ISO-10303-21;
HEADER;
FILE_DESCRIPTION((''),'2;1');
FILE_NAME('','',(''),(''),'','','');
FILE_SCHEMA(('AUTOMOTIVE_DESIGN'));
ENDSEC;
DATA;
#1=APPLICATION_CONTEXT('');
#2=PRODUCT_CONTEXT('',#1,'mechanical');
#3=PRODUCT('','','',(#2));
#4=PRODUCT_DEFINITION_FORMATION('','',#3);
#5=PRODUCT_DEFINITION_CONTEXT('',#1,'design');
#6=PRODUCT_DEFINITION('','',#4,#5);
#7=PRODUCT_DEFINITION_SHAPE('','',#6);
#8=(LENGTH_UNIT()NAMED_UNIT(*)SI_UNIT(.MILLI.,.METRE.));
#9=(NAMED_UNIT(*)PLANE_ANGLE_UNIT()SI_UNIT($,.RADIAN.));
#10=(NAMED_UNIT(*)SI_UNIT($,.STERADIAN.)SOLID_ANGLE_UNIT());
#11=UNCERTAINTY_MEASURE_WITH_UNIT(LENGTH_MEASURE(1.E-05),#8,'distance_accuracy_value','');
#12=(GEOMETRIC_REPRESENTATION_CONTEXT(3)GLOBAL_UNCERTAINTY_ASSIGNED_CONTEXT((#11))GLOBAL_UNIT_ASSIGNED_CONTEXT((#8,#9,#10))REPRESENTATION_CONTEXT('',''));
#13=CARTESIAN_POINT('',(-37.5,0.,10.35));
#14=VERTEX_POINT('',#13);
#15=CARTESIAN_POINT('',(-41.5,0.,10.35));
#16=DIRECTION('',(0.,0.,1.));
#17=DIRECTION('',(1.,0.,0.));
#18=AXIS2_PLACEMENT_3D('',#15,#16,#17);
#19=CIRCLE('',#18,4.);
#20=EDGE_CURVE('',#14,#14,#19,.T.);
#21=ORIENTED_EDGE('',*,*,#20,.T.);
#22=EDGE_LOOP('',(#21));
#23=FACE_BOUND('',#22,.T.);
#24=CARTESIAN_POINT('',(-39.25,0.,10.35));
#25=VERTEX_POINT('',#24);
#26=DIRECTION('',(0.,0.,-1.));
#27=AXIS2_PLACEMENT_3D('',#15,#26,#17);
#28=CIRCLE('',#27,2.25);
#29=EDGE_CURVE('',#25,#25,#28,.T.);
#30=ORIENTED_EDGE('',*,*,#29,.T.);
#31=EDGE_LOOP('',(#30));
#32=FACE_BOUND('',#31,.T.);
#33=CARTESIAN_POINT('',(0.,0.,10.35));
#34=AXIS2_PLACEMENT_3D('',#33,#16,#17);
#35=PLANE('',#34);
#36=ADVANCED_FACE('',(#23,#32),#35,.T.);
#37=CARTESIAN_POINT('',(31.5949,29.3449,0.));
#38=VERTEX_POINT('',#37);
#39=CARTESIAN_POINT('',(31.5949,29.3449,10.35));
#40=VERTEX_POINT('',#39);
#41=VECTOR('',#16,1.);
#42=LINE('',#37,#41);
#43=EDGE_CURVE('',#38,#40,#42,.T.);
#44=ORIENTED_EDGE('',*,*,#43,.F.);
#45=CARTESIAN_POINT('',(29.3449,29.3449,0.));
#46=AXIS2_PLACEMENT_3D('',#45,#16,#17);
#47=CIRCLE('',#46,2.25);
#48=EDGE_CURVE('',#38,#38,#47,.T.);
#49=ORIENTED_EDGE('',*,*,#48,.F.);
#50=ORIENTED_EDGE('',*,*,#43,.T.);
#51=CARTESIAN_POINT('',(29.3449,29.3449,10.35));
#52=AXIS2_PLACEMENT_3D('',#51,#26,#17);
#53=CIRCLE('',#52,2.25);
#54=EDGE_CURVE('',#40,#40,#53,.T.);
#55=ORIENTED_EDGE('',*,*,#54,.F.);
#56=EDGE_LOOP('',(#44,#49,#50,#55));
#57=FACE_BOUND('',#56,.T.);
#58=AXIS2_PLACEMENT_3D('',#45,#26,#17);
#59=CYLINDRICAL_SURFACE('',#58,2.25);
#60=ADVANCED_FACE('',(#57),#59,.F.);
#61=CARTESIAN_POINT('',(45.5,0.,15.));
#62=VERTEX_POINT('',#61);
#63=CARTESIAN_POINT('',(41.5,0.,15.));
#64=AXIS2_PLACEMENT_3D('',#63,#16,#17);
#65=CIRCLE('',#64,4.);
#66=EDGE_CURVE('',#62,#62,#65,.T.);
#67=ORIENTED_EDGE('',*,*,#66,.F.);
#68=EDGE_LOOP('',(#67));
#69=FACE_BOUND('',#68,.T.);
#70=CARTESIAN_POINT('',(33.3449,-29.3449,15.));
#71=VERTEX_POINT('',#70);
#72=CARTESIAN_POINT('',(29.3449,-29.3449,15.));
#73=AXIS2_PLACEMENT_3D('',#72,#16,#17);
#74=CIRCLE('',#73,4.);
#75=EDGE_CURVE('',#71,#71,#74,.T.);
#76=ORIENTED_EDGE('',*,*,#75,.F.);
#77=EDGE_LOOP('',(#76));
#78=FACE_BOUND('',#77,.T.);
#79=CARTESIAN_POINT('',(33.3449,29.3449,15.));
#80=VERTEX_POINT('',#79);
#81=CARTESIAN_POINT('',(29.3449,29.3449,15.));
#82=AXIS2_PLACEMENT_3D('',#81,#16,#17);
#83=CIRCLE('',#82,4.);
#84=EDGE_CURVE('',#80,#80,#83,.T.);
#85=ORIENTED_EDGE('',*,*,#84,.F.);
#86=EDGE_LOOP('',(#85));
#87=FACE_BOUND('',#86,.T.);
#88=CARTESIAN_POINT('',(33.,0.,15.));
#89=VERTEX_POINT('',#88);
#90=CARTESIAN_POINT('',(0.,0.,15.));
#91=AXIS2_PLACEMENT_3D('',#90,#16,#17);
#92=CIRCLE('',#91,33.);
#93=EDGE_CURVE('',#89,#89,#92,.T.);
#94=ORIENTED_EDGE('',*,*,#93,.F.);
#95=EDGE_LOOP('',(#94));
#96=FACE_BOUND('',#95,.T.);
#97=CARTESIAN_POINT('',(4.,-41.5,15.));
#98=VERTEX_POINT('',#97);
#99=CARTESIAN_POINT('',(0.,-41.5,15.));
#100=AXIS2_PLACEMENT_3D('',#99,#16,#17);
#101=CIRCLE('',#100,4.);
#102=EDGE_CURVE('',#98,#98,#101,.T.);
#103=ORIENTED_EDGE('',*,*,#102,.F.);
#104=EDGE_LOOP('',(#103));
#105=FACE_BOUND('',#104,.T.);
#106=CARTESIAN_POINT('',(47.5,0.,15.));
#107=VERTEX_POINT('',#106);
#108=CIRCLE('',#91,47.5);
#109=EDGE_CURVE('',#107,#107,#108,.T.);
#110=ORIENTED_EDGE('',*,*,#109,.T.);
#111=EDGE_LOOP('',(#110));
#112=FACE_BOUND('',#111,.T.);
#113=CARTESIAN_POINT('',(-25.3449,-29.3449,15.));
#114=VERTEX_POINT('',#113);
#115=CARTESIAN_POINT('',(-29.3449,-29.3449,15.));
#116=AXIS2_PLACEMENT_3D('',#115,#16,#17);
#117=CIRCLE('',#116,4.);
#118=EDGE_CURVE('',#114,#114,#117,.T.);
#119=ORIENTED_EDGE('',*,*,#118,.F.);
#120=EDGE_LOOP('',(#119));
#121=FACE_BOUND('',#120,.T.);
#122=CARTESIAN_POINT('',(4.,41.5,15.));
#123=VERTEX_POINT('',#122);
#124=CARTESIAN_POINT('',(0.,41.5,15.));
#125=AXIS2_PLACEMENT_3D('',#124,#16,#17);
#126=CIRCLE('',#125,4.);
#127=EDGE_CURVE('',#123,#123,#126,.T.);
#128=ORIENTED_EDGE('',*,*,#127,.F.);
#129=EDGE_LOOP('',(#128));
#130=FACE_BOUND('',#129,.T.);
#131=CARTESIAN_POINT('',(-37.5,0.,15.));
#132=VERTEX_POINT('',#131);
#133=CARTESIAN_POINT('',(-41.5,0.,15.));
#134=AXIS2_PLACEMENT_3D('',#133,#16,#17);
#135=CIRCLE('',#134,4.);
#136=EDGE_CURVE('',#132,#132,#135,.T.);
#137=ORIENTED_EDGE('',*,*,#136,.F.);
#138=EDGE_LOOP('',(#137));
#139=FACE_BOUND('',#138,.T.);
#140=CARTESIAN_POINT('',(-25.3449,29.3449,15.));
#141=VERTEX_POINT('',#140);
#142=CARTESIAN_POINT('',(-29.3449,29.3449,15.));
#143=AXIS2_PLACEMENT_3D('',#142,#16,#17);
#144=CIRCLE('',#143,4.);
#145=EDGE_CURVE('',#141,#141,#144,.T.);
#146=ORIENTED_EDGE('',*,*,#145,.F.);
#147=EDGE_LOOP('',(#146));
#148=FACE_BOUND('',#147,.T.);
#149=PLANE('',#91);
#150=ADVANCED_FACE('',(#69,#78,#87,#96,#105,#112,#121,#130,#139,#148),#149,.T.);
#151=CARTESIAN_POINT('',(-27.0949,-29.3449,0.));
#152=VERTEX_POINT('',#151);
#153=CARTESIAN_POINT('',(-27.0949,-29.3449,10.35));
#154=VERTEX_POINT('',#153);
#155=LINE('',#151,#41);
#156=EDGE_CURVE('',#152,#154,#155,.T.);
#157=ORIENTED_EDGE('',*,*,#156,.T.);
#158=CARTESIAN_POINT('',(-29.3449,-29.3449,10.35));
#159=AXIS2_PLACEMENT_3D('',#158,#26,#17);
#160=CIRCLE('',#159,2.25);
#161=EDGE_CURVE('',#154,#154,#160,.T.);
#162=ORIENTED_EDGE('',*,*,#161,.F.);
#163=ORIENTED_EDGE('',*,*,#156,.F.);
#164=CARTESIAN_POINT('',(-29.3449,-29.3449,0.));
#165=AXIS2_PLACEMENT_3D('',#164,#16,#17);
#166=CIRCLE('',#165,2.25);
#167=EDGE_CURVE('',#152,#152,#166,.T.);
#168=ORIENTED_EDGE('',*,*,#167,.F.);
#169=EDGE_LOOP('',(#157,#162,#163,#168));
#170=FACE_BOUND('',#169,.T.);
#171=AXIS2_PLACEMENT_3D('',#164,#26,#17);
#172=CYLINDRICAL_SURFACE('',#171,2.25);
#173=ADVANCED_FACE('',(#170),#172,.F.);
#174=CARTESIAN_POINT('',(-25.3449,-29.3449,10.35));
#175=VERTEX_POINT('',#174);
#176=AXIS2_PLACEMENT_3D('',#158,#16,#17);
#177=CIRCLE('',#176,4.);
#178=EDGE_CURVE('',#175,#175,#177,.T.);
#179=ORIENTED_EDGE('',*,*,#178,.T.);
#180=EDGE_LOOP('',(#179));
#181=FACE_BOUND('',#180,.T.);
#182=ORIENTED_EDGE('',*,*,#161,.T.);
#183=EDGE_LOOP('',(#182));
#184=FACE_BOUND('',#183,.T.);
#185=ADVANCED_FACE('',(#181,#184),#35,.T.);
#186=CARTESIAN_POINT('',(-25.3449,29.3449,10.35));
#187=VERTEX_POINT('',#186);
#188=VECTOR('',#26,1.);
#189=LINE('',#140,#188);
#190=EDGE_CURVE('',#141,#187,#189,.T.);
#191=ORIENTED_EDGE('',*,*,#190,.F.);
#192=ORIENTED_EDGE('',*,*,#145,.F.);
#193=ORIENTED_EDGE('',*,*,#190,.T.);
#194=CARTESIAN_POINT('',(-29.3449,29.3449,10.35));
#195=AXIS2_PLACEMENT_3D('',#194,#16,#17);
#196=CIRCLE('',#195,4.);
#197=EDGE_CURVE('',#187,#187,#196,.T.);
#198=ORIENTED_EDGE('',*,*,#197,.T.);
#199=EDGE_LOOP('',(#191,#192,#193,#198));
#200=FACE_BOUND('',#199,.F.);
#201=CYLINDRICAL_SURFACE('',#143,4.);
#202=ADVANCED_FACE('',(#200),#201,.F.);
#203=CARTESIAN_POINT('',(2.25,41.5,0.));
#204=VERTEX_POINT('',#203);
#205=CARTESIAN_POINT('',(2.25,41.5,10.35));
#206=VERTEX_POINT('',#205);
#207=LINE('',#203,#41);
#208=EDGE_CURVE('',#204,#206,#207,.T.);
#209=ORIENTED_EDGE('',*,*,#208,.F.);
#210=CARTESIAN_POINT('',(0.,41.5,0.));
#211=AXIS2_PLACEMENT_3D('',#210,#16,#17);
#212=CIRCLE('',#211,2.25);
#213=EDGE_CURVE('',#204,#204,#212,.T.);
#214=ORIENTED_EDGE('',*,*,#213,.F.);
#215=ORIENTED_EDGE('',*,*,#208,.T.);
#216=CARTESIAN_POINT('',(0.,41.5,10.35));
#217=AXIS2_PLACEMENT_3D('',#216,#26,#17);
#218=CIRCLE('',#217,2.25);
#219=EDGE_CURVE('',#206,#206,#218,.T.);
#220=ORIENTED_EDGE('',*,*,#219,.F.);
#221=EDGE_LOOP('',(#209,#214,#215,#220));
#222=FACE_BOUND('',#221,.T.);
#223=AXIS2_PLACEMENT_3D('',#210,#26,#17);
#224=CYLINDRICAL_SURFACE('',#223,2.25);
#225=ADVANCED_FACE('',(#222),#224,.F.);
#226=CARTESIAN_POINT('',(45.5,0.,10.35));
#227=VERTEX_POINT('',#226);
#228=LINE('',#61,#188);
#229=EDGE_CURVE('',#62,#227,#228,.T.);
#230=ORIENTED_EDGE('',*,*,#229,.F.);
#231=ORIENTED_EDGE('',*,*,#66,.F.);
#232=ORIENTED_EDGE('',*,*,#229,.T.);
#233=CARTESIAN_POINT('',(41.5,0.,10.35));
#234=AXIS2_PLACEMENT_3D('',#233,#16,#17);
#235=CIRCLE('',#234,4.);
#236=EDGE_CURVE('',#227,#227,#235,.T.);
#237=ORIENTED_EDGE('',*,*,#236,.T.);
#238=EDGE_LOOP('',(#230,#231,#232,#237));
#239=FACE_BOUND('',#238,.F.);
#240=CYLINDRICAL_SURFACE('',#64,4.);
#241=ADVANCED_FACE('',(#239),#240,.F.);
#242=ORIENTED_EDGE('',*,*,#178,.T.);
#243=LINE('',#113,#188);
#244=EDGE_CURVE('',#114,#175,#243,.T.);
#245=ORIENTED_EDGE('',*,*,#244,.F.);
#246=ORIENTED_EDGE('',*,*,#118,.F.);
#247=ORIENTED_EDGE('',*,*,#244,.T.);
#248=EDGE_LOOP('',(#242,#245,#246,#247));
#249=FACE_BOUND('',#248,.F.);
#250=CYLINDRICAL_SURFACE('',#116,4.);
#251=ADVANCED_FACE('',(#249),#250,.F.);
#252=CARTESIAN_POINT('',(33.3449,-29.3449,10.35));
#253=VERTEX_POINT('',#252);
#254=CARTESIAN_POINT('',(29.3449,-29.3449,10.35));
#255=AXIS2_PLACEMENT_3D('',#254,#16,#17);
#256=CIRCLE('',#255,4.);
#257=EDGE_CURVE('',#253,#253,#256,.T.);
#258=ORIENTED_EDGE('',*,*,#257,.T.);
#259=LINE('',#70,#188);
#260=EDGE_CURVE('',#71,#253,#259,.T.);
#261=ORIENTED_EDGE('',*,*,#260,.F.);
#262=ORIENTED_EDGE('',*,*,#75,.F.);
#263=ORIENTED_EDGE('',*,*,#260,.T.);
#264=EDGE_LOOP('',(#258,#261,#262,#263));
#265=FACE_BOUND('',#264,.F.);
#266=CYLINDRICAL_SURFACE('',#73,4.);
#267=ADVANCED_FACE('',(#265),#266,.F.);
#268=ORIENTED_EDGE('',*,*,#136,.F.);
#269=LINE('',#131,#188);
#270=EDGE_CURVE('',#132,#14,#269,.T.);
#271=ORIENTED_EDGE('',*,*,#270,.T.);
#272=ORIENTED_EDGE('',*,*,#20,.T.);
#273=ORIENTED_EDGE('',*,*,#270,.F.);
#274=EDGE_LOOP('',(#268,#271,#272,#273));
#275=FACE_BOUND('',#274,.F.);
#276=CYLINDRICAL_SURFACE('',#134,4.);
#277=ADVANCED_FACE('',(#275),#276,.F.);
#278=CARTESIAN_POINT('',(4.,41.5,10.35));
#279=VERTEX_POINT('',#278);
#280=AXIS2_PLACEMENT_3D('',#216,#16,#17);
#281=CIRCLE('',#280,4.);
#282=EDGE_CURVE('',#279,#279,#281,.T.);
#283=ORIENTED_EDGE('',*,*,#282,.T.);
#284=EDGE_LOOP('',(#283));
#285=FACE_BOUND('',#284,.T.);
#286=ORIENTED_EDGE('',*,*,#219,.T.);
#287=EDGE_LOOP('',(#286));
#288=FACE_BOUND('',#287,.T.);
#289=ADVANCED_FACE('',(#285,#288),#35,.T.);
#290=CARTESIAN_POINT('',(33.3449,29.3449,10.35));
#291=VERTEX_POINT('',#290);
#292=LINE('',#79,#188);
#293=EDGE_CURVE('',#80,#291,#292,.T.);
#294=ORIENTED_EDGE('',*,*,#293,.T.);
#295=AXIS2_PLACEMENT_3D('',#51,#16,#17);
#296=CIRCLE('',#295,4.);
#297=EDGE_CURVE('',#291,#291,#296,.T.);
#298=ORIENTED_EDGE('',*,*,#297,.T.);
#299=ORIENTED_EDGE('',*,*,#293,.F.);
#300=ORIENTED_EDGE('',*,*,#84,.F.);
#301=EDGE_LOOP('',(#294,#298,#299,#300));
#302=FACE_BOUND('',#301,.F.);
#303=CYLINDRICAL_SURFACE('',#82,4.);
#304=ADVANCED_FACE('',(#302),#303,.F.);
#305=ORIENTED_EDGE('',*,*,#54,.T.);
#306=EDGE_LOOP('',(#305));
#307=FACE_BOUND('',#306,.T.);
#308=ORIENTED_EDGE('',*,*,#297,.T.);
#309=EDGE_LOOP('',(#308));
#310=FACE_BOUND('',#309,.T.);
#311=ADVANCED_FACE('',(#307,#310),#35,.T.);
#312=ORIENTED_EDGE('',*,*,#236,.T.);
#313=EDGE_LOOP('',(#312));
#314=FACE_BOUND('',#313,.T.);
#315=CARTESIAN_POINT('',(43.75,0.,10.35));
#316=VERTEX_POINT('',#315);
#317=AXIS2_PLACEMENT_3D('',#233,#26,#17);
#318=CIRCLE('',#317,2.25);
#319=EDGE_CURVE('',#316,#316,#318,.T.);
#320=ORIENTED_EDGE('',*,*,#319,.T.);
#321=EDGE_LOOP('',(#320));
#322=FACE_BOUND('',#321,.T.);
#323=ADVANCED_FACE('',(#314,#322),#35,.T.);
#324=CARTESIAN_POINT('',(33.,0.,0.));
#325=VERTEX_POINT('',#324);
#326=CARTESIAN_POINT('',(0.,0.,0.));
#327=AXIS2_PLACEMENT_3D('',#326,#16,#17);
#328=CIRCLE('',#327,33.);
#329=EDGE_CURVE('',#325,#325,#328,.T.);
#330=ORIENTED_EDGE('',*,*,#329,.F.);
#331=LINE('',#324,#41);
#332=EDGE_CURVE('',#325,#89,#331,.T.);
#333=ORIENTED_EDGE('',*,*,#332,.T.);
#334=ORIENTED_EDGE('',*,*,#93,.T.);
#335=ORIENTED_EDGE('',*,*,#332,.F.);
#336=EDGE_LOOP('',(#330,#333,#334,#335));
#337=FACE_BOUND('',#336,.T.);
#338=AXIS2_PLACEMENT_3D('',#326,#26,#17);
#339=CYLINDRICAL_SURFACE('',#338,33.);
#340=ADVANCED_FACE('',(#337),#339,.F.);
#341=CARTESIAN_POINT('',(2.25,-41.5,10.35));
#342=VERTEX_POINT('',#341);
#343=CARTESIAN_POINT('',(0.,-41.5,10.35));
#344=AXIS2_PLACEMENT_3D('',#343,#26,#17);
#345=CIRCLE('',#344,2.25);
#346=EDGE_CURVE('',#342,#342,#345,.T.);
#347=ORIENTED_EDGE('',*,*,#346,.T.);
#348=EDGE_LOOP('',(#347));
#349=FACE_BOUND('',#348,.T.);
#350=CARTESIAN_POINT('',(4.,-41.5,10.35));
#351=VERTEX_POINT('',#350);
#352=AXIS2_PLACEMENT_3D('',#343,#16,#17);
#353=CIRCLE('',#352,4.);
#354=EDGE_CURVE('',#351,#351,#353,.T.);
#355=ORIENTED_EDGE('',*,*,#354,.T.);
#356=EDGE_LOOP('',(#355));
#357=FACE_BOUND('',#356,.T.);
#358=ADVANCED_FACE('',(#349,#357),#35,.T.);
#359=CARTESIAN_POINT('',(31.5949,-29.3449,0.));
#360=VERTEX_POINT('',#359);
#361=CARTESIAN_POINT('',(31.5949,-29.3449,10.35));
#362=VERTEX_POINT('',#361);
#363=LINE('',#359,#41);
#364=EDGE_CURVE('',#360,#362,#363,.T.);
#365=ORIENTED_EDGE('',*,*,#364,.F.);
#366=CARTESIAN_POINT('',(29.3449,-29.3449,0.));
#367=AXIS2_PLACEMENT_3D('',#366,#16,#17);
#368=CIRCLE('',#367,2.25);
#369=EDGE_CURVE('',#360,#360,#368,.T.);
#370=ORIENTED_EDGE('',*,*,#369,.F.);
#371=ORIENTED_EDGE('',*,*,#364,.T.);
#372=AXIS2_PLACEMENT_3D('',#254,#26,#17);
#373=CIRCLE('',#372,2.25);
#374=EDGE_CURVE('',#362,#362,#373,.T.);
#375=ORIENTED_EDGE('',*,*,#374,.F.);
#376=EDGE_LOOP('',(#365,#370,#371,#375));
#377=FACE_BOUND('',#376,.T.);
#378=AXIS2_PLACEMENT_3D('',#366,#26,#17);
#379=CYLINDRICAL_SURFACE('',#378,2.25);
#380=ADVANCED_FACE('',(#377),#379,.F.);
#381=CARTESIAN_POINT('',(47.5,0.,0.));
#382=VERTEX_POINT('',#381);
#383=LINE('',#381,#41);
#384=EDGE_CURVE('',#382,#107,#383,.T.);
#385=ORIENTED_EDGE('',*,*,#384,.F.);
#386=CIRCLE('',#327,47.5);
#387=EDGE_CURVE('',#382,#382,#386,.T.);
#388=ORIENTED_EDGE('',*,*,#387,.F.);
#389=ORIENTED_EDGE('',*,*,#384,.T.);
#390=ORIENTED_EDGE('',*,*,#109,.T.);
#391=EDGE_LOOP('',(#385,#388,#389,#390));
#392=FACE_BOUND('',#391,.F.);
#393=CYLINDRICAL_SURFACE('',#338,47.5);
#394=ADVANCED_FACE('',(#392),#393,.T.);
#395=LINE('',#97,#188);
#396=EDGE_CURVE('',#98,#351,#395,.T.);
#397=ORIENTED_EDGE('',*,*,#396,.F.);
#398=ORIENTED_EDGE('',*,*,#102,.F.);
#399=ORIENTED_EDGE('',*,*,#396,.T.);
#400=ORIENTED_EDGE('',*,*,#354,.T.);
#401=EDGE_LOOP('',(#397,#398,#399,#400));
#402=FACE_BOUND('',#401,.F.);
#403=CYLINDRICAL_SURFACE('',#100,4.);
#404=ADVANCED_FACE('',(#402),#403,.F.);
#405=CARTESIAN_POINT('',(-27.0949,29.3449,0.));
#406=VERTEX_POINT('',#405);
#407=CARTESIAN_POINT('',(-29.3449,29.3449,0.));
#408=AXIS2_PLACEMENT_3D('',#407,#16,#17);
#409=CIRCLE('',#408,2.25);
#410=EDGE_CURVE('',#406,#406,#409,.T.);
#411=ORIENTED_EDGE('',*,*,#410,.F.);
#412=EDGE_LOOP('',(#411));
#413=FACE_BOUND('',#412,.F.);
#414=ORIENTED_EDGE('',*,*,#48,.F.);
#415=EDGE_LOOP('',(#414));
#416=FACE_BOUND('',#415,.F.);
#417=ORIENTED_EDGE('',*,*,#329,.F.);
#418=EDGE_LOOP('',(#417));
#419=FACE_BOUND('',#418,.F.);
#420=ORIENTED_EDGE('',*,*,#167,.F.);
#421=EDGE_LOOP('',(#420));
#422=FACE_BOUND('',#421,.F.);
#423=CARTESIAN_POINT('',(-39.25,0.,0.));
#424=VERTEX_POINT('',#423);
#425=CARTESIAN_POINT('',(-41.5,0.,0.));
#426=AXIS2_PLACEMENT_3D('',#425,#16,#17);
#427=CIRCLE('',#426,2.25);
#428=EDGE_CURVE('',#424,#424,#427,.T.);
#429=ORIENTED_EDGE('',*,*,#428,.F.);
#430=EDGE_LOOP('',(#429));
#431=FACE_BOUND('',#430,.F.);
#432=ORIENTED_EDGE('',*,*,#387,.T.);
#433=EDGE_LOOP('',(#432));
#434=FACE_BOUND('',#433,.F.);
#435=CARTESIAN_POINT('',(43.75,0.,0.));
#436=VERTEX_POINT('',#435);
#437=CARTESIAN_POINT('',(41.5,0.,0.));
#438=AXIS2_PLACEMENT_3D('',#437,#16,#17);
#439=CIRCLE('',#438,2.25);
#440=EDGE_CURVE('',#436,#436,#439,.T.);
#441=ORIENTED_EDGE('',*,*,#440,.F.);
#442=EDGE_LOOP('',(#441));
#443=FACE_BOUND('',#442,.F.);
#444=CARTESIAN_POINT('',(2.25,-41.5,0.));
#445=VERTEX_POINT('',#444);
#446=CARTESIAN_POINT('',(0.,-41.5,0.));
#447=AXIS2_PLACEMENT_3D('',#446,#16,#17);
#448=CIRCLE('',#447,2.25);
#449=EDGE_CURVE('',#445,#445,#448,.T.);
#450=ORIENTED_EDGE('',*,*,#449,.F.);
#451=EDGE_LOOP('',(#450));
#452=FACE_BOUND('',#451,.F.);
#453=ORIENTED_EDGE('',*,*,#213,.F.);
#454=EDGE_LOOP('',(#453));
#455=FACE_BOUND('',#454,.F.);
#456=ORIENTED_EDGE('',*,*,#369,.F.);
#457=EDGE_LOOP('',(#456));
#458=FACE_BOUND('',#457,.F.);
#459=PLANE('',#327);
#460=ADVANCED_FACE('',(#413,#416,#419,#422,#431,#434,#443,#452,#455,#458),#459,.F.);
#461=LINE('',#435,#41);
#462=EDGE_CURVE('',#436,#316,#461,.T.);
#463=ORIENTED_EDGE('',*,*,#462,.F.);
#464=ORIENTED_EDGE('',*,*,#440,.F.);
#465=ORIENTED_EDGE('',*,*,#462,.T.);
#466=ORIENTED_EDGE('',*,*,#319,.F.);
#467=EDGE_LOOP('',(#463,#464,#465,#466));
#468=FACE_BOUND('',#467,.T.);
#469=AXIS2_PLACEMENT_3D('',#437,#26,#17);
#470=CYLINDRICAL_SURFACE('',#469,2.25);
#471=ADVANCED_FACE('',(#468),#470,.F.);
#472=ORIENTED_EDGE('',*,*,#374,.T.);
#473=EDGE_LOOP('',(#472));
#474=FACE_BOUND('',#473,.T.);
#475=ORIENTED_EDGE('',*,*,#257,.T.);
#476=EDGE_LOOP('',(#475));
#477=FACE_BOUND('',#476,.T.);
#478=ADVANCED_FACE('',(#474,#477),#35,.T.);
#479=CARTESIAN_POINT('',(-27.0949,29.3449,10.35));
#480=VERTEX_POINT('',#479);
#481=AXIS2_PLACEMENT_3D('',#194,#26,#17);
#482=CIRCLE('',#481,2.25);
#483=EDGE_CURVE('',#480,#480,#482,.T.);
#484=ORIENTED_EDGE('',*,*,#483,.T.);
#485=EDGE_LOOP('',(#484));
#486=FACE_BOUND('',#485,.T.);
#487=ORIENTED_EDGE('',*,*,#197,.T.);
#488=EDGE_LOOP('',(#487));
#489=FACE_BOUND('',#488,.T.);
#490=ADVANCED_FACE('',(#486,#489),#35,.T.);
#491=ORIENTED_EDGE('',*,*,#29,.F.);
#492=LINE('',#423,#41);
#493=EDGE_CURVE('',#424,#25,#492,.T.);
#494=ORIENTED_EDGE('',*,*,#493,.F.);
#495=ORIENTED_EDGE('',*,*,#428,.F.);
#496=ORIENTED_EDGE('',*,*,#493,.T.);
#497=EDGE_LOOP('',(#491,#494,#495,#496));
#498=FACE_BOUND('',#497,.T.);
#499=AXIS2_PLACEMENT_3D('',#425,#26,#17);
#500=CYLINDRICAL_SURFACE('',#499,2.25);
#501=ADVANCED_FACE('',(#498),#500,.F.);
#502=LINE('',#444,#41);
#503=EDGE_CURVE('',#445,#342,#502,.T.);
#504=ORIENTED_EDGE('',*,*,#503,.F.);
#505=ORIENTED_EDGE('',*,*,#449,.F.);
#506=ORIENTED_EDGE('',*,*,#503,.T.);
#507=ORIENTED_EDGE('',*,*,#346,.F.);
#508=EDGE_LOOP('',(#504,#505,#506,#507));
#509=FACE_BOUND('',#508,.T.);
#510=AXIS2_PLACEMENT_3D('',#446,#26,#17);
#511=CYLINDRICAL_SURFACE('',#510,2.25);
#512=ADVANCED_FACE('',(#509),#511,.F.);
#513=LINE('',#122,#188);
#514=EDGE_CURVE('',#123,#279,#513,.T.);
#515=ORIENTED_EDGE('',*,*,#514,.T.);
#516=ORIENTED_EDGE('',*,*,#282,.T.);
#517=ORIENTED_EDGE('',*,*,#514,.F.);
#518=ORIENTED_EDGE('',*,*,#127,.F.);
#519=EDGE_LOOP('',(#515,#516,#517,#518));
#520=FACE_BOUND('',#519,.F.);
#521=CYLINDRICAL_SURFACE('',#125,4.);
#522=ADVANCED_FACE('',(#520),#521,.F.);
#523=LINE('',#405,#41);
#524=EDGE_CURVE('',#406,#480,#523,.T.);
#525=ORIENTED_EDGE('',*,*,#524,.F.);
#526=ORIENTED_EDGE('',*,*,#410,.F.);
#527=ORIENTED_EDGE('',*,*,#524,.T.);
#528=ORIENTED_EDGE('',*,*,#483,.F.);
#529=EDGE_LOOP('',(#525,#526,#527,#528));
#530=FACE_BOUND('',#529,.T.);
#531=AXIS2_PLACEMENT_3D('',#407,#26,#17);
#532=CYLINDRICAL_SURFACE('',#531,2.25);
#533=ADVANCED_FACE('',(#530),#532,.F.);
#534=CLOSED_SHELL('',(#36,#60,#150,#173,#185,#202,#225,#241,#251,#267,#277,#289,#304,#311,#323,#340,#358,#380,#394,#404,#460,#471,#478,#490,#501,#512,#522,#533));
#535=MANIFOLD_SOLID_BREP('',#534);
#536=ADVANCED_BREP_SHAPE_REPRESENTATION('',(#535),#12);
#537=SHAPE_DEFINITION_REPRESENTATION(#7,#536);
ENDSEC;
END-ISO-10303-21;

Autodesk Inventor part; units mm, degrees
ref_plane "YZ Plane" through (0, 0, 0) normal (1, 0, 0) x (0, 1, 0)
ref_plane "XZ Plane" through (0, 0, 0) normal (0, 1, 0) x (-1, 0, 0)
ref_plane "XY Plane" through (0, 0, 0) normal (0, 0, 1) x (1, 0, 0)
sketch "Sketch1" plane through (0, 0, 0) normal (0, 0, 1) x (1, 0, 0)
  circle A0 centre (0, 0) radius 47.5
  circle A1 centre (0, 0) radius 33
  circle A2 centre (41.5, 0) radius 2.25
  circle A3 centre (29.3449, 29.3449) radius 2.25
  circle A4 centre (0, 41.5) radius 2.25
  circle A5 centre (-29.3449, 29.3449) radius 2.25
  circle A6 centre (-41.5, 0) radius 2.25
  circle A7 centre (-29.3449, -29.3449) radius 2.25
  circle A8 centre (0, -41.5) radius 2.25
  circle A9 centre (29.3449, -29.3449) radius 2.25
  dimension "d0" = 95
  dimension "d1" = 66
  dimension "d2" = 4.5
  dimension "d3" = 41.5
  dimension "d6" = 360
extrude "Extrusion1" add sketch "Sketch1" along normal blind 15
sketch "Sketch2" plane through (0, 0, 15) normal (0, 0, 1) x (1, 0, 0)
  circle A0 centre (41.5, 0) radius 2.25 projected
  circle A1 centre (41.5, 0) radius 4
  circle A2 centre (29.3449, 29.3449) radius 4
  circle A3 centre (0, 41.5) radius 4
  circle A4 centre (-29.3449, 29.3449) radius 4
  circle A5 centre (-41.5, 0) radius 4
  circle A6 centre (-29.3449, -29.3449) radius 4
  circle A7 centre (0, -41.5) radius 4
  circle A8 centre (29.3449, -29.3449) radius 4
  point P0 (0, 0)
  dimension "d10" = 8
  dimension "d13" = 360
extrude "Extrusion2" cut sketch "Sketch2" against normal blind 4.65 contours A0 | A1 | A2 | A3 | A4 | A5 | A6 | A7 | A8
properties part number "Slewing A" material "Aluminum 6061"
